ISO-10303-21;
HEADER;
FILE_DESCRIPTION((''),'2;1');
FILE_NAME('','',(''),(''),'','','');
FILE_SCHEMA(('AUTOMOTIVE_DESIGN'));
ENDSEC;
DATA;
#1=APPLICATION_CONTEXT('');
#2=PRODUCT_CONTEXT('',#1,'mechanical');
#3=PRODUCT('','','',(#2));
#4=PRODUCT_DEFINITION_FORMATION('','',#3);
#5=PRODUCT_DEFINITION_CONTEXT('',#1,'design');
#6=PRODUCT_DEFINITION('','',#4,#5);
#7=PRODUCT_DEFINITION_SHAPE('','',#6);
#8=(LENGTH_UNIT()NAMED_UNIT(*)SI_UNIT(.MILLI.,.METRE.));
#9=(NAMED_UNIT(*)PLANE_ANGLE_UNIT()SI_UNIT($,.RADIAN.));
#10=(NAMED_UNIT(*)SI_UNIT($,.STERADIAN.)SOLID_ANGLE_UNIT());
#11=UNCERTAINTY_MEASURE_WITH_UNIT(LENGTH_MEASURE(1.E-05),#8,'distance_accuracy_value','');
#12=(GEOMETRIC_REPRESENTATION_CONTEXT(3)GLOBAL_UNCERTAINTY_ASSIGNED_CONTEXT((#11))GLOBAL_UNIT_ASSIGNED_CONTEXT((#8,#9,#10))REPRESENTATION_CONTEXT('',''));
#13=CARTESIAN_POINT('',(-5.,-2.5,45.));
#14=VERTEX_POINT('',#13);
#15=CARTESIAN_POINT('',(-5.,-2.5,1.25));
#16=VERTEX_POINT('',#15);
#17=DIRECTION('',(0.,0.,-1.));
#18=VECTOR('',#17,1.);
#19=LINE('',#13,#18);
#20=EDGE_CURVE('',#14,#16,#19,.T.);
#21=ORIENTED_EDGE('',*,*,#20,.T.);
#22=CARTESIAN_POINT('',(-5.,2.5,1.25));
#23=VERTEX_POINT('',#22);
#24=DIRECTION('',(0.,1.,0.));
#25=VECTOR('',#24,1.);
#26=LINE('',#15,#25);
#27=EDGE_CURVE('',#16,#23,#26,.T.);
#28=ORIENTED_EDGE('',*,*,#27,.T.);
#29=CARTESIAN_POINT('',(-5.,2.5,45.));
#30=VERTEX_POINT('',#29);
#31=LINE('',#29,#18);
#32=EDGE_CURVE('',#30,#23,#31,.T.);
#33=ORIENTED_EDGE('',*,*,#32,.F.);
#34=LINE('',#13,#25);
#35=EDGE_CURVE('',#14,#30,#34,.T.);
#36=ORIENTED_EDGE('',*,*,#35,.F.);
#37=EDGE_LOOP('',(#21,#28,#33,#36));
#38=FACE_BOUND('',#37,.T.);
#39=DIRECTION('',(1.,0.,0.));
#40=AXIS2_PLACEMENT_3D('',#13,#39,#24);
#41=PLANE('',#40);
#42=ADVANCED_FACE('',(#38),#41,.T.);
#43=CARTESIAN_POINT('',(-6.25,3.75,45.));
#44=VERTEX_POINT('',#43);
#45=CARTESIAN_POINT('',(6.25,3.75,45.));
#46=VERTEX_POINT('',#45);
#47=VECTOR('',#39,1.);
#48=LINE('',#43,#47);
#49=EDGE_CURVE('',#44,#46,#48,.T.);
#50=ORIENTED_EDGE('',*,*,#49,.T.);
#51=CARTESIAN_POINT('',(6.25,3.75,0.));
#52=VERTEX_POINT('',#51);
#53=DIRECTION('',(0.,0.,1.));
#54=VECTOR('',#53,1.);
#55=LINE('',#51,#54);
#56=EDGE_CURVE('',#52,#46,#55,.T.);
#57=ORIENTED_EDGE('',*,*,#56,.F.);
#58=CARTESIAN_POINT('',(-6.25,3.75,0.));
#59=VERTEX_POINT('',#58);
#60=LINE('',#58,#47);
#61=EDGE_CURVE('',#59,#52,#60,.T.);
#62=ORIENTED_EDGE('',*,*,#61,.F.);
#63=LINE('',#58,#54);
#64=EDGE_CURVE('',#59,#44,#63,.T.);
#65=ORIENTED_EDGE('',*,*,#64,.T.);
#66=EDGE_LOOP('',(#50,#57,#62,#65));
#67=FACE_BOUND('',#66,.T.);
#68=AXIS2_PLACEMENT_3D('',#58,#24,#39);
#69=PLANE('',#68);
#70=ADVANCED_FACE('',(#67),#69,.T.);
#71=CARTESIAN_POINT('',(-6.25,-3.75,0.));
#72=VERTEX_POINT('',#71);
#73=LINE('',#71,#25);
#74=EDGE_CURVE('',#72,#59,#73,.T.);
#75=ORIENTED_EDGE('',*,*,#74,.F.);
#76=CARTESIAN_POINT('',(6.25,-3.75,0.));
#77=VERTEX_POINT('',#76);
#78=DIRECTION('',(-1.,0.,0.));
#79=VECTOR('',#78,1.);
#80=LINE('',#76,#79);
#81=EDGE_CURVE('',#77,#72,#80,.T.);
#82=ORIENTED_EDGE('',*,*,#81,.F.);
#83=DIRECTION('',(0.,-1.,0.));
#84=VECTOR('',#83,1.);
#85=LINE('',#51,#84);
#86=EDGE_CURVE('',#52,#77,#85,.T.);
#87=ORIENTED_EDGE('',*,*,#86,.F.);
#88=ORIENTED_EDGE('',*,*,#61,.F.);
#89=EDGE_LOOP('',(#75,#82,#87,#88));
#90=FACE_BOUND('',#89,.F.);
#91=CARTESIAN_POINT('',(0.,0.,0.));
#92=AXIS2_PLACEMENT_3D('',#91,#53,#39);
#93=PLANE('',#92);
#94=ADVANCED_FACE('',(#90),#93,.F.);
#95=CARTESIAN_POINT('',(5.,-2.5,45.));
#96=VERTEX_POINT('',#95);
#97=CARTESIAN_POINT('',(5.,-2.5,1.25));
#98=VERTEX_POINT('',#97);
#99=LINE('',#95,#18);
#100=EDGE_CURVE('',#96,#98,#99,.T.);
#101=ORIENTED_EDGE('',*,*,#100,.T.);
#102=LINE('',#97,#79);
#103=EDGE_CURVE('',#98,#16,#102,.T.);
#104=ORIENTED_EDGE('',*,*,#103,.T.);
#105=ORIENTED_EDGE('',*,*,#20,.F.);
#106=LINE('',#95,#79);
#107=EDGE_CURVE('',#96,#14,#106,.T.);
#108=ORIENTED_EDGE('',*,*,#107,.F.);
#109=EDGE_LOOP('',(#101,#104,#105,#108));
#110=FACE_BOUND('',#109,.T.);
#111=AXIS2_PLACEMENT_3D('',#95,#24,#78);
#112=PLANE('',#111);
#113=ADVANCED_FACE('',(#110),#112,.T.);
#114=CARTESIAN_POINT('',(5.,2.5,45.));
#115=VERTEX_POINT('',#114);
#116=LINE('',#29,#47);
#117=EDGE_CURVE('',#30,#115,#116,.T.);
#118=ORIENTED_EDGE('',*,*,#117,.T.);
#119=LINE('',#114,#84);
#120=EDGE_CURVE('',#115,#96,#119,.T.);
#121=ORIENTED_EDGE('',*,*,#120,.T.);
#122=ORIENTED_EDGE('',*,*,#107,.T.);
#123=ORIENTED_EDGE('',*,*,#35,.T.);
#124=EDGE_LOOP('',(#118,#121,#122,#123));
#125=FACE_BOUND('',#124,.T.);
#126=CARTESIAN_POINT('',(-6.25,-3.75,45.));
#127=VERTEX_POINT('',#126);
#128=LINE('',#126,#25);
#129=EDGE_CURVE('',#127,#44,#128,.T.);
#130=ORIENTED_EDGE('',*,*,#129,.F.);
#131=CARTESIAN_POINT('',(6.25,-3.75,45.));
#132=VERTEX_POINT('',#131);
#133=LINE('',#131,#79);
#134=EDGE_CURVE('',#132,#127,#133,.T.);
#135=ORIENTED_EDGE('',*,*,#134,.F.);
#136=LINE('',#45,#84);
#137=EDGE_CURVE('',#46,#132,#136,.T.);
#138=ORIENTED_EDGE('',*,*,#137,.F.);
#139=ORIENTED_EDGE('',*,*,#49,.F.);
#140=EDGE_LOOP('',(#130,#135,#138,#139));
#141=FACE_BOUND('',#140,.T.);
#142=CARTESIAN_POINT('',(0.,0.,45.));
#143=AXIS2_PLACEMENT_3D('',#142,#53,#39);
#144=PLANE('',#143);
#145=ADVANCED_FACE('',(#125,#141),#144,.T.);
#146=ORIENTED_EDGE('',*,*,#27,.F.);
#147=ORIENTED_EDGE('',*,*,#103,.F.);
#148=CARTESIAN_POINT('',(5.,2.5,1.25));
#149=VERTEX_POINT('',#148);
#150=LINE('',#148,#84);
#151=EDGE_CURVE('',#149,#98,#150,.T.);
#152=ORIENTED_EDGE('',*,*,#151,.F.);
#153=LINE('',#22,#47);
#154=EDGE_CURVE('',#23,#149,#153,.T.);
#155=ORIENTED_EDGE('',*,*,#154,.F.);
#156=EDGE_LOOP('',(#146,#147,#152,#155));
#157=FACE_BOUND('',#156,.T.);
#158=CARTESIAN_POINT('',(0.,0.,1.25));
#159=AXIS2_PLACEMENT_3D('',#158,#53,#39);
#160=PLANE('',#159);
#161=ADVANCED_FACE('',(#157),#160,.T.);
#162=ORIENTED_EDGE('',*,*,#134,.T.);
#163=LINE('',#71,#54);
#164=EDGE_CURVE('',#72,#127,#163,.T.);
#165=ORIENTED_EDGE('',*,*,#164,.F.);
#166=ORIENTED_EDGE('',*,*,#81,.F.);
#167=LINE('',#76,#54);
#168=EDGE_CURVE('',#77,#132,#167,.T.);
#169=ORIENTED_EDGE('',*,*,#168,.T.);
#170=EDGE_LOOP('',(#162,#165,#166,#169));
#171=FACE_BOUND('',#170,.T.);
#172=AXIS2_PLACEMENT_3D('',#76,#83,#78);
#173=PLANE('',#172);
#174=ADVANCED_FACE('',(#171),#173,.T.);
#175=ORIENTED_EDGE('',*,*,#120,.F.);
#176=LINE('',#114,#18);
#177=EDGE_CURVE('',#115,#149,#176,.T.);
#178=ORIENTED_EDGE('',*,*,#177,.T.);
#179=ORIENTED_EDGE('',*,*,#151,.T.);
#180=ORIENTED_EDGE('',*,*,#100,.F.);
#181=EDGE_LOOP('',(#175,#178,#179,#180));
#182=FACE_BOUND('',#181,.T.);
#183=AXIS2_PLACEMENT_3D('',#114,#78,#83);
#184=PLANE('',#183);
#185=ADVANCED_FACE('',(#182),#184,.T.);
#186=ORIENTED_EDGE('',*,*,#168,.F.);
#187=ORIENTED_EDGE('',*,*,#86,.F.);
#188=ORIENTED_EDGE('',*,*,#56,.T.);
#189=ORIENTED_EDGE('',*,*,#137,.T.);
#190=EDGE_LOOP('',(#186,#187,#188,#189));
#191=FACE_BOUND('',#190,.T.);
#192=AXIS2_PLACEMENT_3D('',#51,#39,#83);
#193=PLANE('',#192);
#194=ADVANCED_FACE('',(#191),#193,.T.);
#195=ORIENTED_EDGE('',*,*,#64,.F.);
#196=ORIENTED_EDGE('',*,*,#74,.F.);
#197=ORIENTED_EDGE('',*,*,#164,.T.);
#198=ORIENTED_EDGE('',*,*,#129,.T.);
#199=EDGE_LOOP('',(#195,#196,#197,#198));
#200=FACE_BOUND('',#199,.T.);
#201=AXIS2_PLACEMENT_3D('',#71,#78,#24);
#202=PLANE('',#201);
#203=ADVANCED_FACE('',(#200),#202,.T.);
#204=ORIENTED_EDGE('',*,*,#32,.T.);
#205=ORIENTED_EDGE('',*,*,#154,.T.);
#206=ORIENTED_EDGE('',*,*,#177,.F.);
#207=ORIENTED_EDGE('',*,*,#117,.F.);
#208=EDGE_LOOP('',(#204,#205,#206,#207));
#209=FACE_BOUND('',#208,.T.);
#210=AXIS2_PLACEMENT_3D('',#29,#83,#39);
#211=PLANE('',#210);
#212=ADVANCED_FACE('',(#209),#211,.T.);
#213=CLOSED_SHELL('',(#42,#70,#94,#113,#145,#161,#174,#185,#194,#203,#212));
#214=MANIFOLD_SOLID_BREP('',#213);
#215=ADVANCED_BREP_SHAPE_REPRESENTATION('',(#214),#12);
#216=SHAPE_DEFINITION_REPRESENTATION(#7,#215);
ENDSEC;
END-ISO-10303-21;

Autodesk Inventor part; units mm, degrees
ref_plane "YZ Plane" through (0, 0, 0) normal (1, 0, 0) x (0, 1, 0)
ref_plane "XZ Plane" through (0, 0, 0) normal (0, 1, 0) x (-1, 0, 0)
ref_plane "XY Plane" through (0, 0, 0) normal (0, 0, 1) x (1, 0, 0)
sketch "Sketch1" plane through (0, 0, 0) normal (0, 0, 1) x (1, 0, 0)
  line L0 (0, 5.25) -> (0, -5.25) construction
  line L1 (-8.75, 0) -> (8.75, 0) construction
  line L2 (-6.25, 3.75) -> (6.25, 3.75)
  line L3 (6.25, 3.75) -> (6.25, -3.75)
  line L4 (6.25, -3.75) -> (-6.25, -3.75)
  line L5 (-6.25, -3.75) -> (-6.25, 3.75)
  point P0 (0, 0)
  dimension "d0" = 7.5
  dimension "d1" = 12.5
extrude "Extrusion1" add sketch "Sketch1" along normal blind 45
sketch "Sketch2" plane through (0, 0, 45) normal (0, 0, 1) x (1, 0, 0)
  line L0 (-6.25, 3.75) -> (6.25, 3.75) projected
  line L1 (-6.25, -3.75) -> (-6.25, 3.75) projected
  line L2 (-5, 2.5) -> (5, 2.5)
  line L3 (5, 2.5) -> (5, -2.5)
  line L4 (5, -2.5) -> (-5, -2.5)
  line L5 (-5, -2.5) -> (-5, 2.5)
  point P0 (0, 0)
  dimension "d4" = 10
  dimension "d5" = 5
  dimension "d6" = 1.25
  dimension "d7" = 1.25
extrude "Extrusion2" cut sketch "Sketch2" against normal blind 43.75
properties part number "UQ-203-5x10x45mm" material "Glass"
